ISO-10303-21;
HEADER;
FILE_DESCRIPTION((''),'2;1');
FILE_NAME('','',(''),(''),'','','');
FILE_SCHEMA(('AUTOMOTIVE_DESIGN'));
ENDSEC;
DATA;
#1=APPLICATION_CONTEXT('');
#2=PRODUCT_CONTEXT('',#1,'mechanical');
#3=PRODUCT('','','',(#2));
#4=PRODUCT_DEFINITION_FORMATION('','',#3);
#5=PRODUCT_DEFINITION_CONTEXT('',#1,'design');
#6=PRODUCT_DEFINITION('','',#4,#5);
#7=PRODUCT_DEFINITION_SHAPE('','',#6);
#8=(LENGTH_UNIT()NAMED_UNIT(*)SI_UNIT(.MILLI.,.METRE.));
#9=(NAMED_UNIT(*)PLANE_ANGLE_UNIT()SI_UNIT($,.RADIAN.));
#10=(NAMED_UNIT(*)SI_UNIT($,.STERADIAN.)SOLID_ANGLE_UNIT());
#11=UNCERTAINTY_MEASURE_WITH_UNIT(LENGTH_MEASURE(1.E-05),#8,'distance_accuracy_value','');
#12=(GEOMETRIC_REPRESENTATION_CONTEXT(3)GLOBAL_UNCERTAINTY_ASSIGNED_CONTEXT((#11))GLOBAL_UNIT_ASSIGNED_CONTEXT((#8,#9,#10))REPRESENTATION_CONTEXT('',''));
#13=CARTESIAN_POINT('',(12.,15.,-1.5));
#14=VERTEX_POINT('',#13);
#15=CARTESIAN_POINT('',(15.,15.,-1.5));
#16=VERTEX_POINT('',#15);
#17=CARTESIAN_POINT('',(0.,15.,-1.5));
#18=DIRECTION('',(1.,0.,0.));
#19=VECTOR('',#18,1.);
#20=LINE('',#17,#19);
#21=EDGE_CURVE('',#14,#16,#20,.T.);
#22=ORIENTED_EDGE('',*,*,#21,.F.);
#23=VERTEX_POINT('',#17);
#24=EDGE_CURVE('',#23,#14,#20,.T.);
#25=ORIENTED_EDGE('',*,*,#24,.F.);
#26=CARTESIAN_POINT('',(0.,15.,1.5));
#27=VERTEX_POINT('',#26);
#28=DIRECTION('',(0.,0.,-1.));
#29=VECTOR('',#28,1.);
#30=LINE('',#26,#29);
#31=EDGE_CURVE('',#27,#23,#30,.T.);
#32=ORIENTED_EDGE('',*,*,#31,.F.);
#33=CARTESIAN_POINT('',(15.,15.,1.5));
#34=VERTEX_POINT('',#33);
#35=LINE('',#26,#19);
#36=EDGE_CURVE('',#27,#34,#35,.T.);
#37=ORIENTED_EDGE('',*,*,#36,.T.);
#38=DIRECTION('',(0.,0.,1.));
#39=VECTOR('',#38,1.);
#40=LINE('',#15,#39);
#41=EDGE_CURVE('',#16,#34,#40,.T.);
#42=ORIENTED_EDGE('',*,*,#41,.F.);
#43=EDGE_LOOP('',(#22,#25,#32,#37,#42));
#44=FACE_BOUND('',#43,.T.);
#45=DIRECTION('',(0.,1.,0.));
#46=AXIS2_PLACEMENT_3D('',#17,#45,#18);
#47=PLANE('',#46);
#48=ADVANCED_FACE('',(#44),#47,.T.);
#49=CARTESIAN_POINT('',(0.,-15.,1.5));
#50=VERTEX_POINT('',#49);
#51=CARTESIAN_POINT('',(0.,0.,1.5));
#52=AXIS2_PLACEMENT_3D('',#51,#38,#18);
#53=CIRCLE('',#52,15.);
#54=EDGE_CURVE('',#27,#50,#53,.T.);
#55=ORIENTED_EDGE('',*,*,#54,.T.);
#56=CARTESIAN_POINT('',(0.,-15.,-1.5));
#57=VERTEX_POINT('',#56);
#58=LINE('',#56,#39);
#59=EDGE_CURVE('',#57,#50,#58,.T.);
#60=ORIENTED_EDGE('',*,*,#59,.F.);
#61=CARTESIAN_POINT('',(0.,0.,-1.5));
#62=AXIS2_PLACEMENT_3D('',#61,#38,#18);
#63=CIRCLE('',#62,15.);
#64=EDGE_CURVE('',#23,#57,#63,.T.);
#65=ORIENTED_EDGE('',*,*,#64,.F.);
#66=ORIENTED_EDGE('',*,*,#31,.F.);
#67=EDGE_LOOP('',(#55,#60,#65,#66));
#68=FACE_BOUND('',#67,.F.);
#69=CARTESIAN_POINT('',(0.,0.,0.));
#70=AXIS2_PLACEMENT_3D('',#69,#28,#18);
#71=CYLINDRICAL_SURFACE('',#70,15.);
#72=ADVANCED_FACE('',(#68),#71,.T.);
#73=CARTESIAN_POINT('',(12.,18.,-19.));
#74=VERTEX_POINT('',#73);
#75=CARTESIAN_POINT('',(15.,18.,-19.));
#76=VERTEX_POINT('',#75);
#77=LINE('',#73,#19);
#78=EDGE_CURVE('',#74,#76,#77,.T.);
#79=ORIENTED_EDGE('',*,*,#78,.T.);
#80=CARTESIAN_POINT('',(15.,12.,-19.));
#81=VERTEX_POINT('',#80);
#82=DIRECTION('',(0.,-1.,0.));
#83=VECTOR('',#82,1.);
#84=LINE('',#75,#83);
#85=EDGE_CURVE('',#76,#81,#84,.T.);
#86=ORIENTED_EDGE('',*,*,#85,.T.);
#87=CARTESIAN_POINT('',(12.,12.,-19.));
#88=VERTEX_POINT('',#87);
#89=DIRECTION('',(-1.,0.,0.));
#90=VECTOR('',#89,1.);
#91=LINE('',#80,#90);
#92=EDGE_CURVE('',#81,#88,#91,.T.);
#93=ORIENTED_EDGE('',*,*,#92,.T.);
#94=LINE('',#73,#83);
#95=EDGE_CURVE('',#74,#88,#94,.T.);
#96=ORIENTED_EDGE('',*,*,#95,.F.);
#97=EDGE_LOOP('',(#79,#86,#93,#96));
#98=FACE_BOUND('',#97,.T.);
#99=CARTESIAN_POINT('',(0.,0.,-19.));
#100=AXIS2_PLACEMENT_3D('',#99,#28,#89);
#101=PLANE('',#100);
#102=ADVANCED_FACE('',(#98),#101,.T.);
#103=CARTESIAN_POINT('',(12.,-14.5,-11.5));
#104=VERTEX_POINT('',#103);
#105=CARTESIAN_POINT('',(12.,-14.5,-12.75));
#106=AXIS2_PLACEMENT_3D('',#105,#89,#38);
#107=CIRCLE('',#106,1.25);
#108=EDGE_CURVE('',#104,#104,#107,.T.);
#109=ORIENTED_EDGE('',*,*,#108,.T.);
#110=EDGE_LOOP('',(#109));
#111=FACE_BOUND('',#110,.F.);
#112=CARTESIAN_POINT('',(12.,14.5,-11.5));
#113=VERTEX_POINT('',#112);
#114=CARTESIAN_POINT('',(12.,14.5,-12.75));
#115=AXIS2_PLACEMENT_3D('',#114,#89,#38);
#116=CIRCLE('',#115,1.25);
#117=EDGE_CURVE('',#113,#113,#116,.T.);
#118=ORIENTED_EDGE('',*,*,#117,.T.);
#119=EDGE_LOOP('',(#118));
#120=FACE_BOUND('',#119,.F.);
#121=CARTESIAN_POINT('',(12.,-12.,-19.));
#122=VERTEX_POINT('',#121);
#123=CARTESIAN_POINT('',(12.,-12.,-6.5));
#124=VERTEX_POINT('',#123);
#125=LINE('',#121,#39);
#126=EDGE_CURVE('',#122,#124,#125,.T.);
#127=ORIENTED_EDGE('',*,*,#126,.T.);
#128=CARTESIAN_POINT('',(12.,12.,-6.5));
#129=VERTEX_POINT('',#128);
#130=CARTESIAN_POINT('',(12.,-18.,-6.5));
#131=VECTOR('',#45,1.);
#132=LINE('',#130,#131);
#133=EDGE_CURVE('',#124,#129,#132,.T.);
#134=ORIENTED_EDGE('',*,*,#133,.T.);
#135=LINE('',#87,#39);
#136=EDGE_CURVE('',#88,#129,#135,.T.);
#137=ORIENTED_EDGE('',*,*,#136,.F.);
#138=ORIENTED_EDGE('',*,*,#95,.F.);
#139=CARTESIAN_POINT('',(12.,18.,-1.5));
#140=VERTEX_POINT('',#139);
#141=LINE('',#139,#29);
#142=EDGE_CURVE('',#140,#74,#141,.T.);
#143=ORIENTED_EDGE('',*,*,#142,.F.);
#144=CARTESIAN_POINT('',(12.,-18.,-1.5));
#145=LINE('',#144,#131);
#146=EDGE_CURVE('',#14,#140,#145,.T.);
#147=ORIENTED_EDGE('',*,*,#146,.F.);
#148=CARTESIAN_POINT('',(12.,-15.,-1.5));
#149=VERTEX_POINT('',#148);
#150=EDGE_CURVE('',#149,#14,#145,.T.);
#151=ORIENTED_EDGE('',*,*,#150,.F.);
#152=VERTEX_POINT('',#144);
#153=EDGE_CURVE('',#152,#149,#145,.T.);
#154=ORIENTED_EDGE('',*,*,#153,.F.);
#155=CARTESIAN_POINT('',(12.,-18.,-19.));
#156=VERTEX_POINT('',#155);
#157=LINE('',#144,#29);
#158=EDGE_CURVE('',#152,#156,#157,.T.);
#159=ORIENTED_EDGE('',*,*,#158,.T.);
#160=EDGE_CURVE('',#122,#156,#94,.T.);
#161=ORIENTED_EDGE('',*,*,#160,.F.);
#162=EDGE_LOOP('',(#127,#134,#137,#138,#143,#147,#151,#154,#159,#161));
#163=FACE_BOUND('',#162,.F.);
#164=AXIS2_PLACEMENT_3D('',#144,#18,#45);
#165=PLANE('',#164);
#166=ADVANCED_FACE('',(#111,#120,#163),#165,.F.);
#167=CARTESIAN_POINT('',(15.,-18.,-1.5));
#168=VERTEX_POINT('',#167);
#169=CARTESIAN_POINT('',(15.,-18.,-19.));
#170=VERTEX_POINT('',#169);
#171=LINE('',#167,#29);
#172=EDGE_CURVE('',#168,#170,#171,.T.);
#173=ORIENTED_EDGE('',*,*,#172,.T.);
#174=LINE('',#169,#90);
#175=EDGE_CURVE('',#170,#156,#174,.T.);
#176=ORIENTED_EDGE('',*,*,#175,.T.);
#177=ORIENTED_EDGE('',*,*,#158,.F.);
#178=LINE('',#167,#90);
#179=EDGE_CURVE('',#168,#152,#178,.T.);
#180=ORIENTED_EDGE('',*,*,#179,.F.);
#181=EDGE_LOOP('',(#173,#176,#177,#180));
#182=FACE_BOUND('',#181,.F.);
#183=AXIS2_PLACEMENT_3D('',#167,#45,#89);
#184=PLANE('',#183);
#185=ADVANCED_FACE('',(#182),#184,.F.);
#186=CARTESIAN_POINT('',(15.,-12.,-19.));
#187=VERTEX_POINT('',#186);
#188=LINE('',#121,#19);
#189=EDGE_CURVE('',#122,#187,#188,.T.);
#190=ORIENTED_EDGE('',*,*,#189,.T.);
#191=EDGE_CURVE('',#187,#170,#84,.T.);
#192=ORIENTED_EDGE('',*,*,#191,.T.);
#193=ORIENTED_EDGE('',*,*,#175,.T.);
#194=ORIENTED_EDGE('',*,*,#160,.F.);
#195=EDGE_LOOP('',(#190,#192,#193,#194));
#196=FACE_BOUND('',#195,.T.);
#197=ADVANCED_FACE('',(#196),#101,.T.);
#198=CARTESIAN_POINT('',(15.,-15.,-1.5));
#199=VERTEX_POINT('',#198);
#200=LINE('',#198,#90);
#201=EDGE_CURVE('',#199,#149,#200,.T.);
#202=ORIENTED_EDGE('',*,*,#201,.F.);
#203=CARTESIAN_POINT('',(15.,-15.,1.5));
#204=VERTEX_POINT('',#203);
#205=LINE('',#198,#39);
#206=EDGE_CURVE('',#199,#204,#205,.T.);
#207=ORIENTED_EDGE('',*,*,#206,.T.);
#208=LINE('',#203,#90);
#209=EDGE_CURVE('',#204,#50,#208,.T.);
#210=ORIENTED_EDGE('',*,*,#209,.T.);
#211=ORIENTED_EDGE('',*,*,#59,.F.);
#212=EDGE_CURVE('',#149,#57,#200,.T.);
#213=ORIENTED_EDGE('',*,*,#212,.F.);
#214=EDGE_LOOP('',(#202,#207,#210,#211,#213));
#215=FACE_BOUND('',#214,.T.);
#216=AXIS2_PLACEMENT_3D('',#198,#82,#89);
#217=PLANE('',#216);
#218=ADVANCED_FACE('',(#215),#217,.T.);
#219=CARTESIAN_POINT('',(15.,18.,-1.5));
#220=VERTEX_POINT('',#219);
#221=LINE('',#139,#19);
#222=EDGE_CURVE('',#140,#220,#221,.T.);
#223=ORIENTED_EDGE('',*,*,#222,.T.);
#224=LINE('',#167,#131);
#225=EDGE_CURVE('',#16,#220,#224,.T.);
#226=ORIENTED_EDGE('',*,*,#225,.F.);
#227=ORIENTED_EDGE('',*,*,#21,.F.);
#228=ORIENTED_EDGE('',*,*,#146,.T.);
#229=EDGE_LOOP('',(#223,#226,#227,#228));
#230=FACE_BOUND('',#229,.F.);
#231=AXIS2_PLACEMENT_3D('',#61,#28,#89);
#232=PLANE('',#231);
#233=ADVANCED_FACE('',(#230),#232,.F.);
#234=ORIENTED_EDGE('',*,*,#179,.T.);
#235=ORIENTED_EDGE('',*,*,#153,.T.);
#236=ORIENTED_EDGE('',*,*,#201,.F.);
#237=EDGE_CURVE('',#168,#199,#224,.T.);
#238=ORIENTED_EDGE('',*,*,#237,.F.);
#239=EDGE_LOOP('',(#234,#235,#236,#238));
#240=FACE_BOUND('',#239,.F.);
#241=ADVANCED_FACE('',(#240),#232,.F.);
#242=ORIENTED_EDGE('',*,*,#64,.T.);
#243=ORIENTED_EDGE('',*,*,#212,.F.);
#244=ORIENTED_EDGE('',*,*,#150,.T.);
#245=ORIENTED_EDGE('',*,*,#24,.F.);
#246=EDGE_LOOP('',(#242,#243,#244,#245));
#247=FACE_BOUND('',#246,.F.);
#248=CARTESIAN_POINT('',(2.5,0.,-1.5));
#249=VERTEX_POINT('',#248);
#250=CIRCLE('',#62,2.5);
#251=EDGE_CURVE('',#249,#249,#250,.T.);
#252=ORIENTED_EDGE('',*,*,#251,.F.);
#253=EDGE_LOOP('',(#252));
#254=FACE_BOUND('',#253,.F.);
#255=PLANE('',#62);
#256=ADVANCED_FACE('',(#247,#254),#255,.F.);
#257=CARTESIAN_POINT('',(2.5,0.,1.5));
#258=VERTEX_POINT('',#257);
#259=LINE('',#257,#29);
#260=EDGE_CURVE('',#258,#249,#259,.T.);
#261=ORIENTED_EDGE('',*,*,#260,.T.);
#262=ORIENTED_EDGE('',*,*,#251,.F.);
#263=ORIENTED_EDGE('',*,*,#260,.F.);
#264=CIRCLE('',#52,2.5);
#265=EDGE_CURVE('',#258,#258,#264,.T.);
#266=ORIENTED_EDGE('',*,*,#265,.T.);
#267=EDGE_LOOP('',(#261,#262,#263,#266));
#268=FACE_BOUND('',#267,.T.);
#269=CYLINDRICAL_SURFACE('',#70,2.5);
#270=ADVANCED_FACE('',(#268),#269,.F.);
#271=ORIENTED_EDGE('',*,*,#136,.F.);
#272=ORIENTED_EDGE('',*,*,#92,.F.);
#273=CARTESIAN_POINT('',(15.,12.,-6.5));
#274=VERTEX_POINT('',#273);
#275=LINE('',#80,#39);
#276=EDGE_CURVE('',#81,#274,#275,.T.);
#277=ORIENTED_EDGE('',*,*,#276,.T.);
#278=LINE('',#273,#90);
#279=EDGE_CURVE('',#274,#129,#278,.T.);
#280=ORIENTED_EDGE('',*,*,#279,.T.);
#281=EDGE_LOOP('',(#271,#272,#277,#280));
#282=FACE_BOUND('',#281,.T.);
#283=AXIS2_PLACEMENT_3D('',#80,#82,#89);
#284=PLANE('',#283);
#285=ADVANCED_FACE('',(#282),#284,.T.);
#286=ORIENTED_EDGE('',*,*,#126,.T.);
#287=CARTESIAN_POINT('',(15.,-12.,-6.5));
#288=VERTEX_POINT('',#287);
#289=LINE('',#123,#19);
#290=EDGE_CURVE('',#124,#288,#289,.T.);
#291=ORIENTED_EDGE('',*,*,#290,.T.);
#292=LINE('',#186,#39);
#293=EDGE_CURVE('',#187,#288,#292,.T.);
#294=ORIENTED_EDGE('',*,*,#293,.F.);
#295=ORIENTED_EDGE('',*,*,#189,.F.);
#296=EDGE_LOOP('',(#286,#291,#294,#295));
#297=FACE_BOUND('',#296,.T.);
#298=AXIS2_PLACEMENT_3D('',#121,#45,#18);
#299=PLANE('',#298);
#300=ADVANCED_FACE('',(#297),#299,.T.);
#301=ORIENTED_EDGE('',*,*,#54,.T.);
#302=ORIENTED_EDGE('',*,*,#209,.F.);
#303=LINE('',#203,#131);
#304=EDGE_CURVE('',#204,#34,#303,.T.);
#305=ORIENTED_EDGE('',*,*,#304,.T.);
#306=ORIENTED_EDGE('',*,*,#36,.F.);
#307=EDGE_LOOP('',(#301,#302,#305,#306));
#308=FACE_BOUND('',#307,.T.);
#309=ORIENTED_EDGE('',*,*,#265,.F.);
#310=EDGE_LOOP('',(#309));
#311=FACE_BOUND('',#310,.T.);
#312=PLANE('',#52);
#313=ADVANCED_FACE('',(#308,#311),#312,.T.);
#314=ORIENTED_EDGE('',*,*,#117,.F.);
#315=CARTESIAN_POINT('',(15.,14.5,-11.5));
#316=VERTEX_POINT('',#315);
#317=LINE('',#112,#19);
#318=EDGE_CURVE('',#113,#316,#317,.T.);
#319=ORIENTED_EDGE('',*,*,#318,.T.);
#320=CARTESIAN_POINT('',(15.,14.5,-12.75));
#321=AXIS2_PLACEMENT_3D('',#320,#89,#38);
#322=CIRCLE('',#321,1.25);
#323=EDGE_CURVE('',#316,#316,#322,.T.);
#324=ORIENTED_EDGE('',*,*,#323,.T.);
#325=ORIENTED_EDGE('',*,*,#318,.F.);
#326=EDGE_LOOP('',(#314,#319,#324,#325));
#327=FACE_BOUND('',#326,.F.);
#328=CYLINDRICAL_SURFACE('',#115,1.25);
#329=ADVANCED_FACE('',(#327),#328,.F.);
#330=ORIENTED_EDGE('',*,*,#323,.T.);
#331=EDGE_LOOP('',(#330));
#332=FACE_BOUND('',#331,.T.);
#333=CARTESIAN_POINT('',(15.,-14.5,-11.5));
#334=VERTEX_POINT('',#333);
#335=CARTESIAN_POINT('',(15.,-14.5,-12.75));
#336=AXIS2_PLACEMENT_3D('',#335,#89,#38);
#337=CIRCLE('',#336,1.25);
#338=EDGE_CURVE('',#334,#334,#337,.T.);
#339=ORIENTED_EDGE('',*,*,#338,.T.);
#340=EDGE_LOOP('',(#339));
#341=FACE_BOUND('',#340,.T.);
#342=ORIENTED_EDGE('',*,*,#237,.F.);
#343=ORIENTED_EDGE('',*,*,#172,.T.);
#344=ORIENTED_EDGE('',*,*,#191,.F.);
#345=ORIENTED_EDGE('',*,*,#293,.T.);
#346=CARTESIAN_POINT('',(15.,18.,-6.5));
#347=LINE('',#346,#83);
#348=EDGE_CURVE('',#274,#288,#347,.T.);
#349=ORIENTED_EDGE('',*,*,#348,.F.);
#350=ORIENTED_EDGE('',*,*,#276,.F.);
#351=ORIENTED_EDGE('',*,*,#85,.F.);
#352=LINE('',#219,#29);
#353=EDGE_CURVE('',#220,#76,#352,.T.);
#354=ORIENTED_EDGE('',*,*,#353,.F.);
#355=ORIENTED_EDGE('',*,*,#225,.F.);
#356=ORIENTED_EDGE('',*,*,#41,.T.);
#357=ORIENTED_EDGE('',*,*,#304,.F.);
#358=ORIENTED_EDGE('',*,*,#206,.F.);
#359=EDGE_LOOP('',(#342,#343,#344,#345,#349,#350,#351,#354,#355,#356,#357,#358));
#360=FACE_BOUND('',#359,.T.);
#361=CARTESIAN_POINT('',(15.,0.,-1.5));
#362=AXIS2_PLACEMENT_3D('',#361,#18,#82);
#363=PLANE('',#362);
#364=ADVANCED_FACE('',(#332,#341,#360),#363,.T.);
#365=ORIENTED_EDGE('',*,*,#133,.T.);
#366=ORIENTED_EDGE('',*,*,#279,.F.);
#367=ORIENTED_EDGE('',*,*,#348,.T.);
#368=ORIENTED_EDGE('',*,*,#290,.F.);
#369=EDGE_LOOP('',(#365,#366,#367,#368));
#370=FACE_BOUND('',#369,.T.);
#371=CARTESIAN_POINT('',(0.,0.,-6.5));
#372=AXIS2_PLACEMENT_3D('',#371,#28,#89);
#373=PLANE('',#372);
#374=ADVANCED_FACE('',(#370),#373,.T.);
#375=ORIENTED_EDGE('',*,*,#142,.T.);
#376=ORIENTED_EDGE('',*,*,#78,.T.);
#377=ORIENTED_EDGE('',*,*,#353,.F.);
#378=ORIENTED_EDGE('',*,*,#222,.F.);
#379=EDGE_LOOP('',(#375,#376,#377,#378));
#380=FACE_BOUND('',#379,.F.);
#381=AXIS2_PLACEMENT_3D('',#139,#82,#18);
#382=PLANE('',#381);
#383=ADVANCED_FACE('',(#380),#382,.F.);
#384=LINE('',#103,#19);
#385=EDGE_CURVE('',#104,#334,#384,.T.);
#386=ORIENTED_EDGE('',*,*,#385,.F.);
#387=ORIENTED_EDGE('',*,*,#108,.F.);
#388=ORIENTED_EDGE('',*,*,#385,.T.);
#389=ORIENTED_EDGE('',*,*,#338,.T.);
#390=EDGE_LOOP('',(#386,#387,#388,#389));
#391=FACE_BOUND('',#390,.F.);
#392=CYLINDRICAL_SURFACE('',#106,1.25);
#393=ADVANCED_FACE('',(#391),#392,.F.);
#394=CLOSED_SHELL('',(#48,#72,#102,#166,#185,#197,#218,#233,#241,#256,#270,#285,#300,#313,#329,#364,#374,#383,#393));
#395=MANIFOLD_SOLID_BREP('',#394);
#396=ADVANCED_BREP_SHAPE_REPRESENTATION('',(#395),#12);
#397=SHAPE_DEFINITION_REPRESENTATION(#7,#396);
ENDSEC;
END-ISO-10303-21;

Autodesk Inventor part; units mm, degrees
ref_plane "YZ Plane" through (0, 0, 0) normal (1, 0, 0) x (0, 1, 0)
ref_plane "XZ Plane" through (0, 0, 0) normal (0, 1, 0) x (-1, 0, 0)
ref_plane "XY Plane" through (0, 0, 0) normal (0, 0, 1) x (1, 0, 0)
sketch "草圖1" plane through (0, 0, 0) normal (0, 0, 1) x (1, 0, 0)
  circle A0 centre (0, 0) radius 2.5
  circle A1 centre (0, 0) radius 15
  dimension "d0" = 5
  dimension "d1" = 30
extrude "擠出1" add sketch "草圖1" along normal mid plane 3
sketch "草圖2" plane through (0, 0, -1.5) normal (0, 0, -1) x (-1, 0, 0)
  circle A0 centre (0, 0) radius 15 projected
  circle A1 centre (0, 0) radius 2.5 construction
  line L0 (0, 15) -> (-15, 15)
  line L1 (-15, 15) -> (-15, -15)
  line L2 (-15, -15) -> (0, -15)
  line L3 (0, -15) -> (0, 15) construction
  circle A2 centre (0, 0) radius 15 projected
  point P0 (0, -15)
  point P1 (-15, 0)
extrude "擠出2" add sketch "草圖2" against normal blind 3 contours A0 L1 L0 | L2 L1 A0
sketch "草圖3" plane through (0, 0, -1.5) normal (0, 0, -1) x (-1, 0, 0)
  arc A0 (0, -15) -> (0, 15) centre (0, 0) ccw projected
  line L0 (0, 15) -> (-15, 15) projected
  line L1 (-15, 15) -> (-15, -15) projected
  line L2 (-15, -15) -> (0, -15) projected
  circle A1 centre (0, 0) radius 2.5 projected
  line L3 (-15, 15) -> (0, 15) projected
  line L4 (-12, 18) -> (-15, 18)
  line L5 (-15, 18) -> (-15, -18)
  line L6 (-15, -18) -> (-12, -18)
  line L7 (-12, -18) -> (-12, 18)
  point P0 (-15, 0)
  dimension "d13" = 36
  dimension "d14" = 3
extrude "擠出3" add sketch "草圖3" along normal blind 17.5 contours L7 L6 L5 L2 | L2 L1 L0 L7 | L0 L5 L4 L7
sketch "草圖5" plane through (0, 0, -19) normal (0, 0, -1) x (-1, 0, 0)
  line L0 (-12, -18) -> (-12, 18) projected
  line L1 (-12, 18) -> (-15, 18) projected
  line L2 (-15, 18) -> (-15, -18) projected
  line L3 (-15, -18) -> (-12, -18) projected
  line L4 (-15, 12) -> (-12, 12)
  line L5 (-12, 12) -> (-12, -12)
  line L6 (-12, -12) -> (-15, -12)
  line L7 (-15, -12) -> (-15, 12)
  point P0 (0, 0)
  point P1 (-15, 0)
  point P2 (-13.5, -12)
  point P3 (-13.5, 12)
  dimension "d15" = 24
extrude "擠出5" cut sketch "草圖5" against normal blind 12.5 contours L6 L2 L4 L0
sketch "草圖6" plane through (12, -18, -1.5) normal (-1, 0, 0) x (0, 0, 1)
  line L0 (-17.5, 30) -> (-5, 30) construction
  line L1 (-5, 30) -> (-5, 6) construction
  line L2 (-5, 6) -> (-17.5, 6) construction
  line L3 (-17.5, 0) -> (-17.5, 6) construction
  line L4 (0, 0) -> (-17.5, 0) construction
  line L5 (0, 0) -> (0, 3) construction
  line L6 (0, 33) -> (0, 3) construction
  line L7 (0, 33) -> (0, 36) construction
  line L8 (0, 36) -> (-17.5, 36) construction
  line L9 (-17.5, 30) -> (-17.5, 36) construction
  line L10 (-11.25, 36) -> (-11.25, 0) construction
  line L11 (0, 0) -> (-17.5, 0) construction
  circle A0 centre (-11.25, 32.5) radius 1.25
  circle A1 centre (-11.25, 3.5) radius 1.25
  line L12 (-11.25, 18) -> (-8.75, 18) construction
  point P0 (1.5, 18)
  point P1 (-11.25, 30)
  dimension "d18" = 2.5
  dimension "d19" = 29
extrude "擠出6" cut sketch "草圖6" against normal up to surface (3 mm away)
properties part number "Pad_2"
